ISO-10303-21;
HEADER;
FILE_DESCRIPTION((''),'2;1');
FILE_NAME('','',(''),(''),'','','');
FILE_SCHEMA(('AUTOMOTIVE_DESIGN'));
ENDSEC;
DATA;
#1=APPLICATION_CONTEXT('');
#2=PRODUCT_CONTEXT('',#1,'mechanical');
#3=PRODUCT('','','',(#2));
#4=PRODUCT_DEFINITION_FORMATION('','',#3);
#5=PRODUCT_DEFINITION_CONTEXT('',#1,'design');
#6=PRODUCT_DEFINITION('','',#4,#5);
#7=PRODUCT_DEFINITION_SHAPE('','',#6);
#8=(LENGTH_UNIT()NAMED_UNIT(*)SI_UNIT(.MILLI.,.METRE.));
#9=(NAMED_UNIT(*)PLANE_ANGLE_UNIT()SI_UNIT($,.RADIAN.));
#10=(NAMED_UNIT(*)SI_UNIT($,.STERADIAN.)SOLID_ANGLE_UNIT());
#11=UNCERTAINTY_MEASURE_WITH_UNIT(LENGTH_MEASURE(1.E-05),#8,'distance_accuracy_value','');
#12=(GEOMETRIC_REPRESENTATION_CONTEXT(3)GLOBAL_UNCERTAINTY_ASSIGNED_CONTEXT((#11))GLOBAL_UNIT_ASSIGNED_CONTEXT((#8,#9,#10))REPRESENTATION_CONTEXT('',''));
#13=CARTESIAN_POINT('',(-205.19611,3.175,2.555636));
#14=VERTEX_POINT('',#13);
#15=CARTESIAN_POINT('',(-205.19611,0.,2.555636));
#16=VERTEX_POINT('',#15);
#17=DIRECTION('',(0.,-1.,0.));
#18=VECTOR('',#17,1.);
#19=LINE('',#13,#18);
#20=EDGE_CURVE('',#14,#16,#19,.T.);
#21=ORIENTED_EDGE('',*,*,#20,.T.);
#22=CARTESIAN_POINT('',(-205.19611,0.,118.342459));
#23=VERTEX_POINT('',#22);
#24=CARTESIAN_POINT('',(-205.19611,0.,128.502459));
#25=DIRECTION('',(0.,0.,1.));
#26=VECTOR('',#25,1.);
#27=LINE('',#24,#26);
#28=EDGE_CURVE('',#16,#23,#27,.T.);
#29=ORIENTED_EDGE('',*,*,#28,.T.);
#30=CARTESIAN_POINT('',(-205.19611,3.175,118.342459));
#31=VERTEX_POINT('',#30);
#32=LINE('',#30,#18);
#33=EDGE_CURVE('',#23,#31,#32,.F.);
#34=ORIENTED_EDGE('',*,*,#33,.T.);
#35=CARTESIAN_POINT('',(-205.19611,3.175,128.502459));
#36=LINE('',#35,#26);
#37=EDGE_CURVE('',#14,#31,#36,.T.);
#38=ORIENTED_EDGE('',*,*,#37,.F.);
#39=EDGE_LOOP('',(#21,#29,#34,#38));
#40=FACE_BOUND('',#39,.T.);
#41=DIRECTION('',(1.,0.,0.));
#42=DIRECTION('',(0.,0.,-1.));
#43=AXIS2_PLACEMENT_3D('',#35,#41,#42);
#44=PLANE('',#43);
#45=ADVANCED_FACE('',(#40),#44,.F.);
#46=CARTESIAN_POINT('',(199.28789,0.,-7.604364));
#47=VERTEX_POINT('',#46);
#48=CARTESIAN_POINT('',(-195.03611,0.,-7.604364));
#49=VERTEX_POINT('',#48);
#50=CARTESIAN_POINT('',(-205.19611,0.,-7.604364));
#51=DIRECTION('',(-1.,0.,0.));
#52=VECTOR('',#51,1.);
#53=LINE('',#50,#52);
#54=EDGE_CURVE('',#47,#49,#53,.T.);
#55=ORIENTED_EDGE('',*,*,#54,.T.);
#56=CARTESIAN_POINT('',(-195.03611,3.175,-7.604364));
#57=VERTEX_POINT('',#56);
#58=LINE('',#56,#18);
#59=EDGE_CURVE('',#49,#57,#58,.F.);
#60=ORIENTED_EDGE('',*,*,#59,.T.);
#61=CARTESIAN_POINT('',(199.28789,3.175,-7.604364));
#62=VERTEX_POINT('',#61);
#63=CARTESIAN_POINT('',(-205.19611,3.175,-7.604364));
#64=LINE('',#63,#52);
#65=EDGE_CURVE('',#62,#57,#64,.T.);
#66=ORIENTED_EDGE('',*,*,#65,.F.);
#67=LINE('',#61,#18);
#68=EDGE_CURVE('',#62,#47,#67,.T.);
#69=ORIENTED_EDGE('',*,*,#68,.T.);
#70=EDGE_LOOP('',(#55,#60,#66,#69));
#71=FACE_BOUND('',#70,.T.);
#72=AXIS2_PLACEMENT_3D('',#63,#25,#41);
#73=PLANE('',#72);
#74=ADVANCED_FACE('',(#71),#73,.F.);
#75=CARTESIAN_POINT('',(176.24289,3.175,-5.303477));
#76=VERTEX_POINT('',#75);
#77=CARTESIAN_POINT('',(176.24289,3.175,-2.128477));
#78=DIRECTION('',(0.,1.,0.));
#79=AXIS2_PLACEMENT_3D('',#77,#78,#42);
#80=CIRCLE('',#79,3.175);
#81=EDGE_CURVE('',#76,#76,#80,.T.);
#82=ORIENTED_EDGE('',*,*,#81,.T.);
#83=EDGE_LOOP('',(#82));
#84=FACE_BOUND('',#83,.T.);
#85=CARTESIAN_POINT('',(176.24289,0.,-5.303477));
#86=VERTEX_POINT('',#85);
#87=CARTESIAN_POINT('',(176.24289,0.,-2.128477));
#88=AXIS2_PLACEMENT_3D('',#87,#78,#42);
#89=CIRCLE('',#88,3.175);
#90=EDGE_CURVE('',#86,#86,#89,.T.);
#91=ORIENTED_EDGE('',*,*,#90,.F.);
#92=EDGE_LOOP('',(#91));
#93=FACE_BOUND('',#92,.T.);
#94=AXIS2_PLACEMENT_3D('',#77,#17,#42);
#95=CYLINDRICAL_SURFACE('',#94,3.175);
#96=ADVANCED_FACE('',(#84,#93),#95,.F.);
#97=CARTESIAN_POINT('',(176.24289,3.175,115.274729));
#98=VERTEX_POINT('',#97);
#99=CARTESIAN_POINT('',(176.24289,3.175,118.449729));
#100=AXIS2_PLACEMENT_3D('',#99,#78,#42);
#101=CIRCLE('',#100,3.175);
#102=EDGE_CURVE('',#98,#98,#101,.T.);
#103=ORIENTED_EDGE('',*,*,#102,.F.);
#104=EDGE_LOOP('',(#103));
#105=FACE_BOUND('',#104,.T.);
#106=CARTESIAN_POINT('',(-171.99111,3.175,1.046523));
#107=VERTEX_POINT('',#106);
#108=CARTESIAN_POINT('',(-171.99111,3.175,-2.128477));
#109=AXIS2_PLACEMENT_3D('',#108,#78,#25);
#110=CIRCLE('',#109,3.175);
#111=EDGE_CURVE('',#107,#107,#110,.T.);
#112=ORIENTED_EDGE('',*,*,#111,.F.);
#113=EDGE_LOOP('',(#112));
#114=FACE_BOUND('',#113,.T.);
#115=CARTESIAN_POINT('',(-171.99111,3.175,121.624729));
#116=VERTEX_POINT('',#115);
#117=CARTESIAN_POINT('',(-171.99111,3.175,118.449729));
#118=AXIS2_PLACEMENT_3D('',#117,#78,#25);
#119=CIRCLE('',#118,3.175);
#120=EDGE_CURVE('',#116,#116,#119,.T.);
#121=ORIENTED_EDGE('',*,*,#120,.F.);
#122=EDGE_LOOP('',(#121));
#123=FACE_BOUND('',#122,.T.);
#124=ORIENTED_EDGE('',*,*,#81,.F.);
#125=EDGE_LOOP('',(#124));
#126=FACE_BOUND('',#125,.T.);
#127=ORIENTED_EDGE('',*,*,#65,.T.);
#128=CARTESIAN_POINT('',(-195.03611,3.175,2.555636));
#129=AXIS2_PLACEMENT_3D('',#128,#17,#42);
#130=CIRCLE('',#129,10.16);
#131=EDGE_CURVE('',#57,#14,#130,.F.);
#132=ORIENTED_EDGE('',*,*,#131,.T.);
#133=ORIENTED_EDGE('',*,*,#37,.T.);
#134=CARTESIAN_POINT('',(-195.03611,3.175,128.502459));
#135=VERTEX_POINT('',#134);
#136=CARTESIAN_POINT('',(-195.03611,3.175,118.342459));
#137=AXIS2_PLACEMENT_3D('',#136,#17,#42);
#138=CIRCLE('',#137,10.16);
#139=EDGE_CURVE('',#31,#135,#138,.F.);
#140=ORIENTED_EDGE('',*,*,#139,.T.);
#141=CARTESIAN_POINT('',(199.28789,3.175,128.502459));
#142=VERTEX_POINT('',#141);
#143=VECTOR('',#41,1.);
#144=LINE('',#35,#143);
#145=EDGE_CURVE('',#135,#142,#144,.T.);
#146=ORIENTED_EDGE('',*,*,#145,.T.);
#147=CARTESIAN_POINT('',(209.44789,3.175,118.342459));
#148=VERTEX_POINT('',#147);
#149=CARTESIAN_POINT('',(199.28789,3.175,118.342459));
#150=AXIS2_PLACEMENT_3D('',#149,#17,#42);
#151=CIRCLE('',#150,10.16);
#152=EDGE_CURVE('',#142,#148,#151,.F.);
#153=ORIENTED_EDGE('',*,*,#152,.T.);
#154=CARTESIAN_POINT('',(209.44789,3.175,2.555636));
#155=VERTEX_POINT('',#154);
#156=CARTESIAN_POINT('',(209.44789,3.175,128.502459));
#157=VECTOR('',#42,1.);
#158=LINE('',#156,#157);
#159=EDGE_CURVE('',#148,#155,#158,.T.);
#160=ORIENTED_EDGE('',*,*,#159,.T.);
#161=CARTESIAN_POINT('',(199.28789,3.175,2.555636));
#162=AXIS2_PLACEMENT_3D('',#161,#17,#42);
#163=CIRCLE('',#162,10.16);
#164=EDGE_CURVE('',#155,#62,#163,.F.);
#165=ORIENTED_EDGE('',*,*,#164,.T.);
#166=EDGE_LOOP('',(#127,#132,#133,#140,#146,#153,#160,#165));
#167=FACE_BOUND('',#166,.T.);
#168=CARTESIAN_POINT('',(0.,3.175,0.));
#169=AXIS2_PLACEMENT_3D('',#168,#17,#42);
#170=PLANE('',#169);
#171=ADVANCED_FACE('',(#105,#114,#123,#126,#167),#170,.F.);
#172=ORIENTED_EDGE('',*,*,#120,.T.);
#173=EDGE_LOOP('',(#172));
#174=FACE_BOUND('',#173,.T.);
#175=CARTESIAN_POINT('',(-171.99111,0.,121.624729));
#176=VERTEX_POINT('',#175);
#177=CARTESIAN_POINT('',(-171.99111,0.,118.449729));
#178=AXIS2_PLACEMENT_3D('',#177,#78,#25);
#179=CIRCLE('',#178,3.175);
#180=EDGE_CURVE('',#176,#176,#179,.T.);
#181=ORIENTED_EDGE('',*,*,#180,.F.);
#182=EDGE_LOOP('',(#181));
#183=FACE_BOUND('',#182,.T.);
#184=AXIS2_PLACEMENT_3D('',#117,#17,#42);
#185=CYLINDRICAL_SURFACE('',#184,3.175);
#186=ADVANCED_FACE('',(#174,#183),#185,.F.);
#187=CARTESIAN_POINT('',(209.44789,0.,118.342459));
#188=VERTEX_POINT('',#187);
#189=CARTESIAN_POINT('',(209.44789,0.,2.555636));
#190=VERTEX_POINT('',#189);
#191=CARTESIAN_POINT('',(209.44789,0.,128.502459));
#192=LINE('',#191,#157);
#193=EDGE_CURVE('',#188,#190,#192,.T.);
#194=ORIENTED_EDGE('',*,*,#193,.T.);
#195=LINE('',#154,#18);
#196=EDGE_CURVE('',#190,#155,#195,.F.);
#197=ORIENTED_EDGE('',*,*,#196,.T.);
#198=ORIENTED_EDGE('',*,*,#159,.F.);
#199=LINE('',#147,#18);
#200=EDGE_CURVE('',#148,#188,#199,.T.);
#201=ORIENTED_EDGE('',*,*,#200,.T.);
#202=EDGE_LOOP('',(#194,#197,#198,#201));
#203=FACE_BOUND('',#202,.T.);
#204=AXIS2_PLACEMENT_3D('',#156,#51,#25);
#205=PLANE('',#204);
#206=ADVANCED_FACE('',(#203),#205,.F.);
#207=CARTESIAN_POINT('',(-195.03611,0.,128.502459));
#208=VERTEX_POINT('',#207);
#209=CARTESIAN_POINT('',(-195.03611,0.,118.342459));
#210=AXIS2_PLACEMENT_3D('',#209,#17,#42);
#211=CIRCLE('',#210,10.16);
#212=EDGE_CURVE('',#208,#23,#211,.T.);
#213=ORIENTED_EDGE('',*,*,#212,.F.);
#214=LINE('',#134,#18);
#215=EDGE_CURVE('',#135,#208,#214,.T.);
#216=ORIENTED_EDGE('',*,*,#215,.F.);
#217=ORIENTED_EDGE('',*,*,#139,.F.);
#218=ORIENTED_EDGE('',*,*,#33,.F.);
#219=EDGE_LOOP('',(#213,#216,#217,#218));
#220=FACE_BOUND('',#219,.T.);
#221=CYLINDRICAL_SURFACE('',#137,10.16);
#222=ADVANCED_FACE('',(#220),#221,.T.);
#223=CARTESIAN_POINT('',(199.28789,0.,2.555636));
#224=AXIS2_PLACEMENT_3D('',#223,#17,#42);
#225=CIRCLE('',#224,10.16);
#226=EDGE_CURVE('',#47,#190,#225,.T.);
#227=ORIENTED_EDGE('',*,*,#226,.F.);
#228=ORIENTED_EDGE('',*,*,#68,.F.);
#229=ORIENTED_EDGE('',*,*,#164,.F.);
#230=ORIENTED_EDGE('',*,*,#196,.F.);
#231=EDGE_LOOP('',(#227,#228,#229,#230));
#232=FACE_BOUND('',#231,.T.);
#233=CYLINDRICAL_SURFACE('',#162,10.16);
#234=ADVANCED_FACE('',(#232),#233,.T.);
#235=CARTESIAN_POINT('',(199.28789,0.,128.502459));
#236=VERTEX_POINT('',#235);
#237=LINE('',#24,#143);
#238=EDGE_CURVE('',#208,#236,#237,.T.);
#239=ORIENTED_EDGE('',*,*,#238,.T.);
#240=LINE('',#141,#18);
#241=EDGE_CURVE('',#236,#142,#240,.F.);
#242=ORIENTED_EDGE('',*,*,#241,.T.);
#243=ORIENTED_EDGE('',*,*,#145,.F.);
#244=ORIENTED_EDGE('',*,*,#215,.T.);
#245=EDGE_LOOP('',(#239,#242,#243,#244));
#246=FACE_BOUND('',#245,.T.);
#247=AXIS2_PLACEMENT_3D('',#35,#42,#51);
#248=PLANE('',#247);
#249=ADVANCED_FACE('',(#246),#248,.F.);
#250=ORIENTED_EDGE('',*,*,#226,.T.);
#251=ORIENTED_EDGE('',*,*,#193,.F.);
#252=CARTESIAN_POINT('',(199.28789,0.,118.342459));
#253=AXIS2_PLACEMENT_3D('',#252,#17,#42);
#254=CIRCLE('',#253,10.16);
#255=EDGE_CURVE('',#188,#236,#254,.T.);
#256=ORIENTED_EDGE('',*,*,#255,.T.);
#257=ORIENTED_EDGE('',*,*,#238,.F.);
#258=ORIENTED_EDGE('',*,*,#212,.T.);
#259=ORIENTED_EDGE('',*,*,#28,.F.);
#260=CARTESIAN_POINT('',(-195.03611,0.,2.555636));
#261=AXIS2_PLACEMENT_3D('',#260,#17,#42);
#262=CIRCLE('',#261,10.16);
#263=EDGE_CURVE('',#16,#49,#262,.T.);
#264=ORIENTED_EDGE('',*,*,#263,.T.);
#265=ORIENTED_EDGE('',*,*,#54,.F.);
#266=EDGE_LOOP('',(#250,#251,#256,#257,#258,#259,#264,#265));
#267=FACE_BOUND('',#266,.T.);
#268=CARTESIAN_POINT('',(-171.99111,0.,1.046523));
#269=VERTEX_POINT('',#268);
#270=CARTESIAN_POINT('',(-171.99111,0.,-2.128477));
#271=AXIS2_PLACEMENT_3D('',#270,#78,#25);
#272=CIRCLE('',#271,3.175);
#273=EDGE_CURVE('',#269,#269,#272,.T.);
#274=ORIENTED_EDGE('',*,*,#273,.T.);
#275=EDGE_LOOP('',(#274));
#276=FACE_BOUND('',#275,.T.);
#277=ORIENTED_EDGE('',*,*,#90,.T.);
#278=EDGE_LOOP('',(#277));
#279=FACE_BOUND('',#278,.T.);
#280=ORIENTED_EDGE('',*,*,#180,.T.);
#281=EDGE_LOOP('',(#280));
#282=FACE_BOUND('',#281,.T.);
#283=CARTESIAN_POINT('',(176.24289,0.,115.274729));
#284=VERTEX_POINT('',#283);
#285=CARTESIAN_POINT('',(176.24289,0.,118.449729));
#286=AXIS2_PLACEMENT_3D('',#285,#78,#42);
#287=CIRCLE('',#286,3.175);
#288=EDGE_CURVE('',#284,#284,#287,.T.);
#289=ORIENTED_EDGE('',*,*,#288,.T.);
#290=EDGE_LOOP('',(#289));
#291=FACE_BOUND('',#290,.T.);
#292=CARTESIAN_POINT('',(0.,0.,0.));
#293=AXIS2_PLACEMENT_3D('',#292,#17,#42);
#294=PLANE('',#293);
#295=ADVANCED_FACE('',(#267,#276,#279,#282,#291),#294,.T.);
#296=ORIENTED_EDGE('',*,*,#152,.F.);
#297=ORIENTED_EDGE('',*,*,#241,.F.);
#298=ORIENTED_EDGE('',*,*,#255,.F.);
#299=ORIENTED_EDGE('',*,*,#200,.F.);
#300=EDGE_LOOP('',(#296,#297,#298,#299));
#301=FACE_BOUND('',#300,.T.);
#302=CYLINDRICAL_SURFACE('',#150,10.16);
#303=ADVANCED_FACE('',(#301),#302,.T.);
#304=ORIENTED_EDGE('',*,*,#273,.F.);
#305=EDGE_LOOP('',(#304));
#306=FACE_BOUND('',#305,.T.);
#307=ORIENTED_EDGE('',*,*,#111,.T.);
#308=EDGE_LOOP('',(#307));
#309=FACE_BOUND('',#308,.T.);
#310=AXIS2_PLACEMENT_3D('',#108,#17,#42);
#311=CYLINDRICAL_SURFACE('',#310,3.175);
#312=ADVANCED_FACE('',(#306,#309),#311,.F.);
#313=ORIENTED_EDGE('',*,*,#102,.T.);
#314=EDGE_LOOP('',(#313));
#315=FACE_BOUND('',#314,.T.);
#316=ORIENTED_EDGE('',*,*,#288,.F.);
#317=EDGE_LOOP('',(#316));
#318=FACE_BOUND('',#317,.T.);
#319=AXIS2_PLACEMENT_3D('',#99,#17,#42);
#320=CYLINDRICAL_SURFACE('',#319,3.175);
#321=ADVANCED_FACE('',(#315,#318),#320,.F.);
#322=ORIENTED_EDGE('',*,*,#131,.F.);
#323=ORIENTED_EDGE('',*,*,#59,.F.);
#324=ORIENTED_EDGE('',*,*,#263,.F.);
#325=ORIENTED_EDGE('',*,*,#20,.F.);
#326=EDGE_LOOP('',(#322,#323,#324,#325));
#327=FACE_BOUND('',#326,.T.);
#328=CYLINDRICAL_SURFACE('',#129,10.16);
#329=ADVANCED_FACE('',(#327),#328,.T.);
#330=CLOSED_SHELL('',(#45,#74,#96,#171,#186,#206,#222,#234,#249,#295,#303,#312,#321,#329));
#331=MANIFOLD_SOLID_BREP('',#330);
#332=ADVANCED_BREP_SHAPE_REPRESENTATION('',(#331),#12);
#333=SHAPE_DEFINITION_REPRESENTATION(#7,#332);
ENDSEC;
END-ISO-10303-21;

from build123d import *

# Parameters (mm, degrees)
SKETCH1_W           = 414.644000022
SKETCH1_H           = 136.106823022
SKETCH1_R           = 3.175
BOSS_EXTRUDE1_DEPTH = 3.175
FILLET1_R           = 10.16


with BuildPart() as part:
    # Sketch1 → Boss-Extrude1 (new body)
    with BuildSketch(Plane(origin=(0, 0, 0), x_dir=(1, 0, 0), z_dir=(0, 1, 0))):
        with Locations((2.125889647, -60.449047284)):
            Rectangle(SKETCH1_W, SKETCH1_H)
        with Locations(Location((-171.991110353, 2.128477171, 0), (0, 0, 270))):
            Circle(SKETCH1_R, mode=Mode.SUBTRACT)
        with Locations(Location((-171.991110353, -118.449728988, 0), (0, 0, 270))):
            Circle(SKETCH1_R, mode=Mode.SUBTRACT)
        with Locations(Location((176.242889647, 2.128477171, 0), (0, 0, 90))):
            Circle(SKETCH1_R, mode=Mode.SUBTRACT)
        with Locations(Location((176.242889647, -118.449728988, 0), (0, 0, 90))):
            Circle(SKETCH1_R, mode=Mode.SUBTRACT)
    extrude(amount=BOSS_EXTRUDE1_DEPTH)

    # Fillet1
    fillet1_edges = [part.edges().sort_by_distance(p)[0] for p in [
        (-205.196110364, 1.5875, -7.604364227),
        (209.447889658, 1.5875, -7.604364227),
        (209.447889658, 1.5875, 128.502458795),
        (-205.196110364, 1.5875, 128.502458795),
    ]]
    fillet(fillet1_edges, radius=FILLET1_R)


solid = part.part
